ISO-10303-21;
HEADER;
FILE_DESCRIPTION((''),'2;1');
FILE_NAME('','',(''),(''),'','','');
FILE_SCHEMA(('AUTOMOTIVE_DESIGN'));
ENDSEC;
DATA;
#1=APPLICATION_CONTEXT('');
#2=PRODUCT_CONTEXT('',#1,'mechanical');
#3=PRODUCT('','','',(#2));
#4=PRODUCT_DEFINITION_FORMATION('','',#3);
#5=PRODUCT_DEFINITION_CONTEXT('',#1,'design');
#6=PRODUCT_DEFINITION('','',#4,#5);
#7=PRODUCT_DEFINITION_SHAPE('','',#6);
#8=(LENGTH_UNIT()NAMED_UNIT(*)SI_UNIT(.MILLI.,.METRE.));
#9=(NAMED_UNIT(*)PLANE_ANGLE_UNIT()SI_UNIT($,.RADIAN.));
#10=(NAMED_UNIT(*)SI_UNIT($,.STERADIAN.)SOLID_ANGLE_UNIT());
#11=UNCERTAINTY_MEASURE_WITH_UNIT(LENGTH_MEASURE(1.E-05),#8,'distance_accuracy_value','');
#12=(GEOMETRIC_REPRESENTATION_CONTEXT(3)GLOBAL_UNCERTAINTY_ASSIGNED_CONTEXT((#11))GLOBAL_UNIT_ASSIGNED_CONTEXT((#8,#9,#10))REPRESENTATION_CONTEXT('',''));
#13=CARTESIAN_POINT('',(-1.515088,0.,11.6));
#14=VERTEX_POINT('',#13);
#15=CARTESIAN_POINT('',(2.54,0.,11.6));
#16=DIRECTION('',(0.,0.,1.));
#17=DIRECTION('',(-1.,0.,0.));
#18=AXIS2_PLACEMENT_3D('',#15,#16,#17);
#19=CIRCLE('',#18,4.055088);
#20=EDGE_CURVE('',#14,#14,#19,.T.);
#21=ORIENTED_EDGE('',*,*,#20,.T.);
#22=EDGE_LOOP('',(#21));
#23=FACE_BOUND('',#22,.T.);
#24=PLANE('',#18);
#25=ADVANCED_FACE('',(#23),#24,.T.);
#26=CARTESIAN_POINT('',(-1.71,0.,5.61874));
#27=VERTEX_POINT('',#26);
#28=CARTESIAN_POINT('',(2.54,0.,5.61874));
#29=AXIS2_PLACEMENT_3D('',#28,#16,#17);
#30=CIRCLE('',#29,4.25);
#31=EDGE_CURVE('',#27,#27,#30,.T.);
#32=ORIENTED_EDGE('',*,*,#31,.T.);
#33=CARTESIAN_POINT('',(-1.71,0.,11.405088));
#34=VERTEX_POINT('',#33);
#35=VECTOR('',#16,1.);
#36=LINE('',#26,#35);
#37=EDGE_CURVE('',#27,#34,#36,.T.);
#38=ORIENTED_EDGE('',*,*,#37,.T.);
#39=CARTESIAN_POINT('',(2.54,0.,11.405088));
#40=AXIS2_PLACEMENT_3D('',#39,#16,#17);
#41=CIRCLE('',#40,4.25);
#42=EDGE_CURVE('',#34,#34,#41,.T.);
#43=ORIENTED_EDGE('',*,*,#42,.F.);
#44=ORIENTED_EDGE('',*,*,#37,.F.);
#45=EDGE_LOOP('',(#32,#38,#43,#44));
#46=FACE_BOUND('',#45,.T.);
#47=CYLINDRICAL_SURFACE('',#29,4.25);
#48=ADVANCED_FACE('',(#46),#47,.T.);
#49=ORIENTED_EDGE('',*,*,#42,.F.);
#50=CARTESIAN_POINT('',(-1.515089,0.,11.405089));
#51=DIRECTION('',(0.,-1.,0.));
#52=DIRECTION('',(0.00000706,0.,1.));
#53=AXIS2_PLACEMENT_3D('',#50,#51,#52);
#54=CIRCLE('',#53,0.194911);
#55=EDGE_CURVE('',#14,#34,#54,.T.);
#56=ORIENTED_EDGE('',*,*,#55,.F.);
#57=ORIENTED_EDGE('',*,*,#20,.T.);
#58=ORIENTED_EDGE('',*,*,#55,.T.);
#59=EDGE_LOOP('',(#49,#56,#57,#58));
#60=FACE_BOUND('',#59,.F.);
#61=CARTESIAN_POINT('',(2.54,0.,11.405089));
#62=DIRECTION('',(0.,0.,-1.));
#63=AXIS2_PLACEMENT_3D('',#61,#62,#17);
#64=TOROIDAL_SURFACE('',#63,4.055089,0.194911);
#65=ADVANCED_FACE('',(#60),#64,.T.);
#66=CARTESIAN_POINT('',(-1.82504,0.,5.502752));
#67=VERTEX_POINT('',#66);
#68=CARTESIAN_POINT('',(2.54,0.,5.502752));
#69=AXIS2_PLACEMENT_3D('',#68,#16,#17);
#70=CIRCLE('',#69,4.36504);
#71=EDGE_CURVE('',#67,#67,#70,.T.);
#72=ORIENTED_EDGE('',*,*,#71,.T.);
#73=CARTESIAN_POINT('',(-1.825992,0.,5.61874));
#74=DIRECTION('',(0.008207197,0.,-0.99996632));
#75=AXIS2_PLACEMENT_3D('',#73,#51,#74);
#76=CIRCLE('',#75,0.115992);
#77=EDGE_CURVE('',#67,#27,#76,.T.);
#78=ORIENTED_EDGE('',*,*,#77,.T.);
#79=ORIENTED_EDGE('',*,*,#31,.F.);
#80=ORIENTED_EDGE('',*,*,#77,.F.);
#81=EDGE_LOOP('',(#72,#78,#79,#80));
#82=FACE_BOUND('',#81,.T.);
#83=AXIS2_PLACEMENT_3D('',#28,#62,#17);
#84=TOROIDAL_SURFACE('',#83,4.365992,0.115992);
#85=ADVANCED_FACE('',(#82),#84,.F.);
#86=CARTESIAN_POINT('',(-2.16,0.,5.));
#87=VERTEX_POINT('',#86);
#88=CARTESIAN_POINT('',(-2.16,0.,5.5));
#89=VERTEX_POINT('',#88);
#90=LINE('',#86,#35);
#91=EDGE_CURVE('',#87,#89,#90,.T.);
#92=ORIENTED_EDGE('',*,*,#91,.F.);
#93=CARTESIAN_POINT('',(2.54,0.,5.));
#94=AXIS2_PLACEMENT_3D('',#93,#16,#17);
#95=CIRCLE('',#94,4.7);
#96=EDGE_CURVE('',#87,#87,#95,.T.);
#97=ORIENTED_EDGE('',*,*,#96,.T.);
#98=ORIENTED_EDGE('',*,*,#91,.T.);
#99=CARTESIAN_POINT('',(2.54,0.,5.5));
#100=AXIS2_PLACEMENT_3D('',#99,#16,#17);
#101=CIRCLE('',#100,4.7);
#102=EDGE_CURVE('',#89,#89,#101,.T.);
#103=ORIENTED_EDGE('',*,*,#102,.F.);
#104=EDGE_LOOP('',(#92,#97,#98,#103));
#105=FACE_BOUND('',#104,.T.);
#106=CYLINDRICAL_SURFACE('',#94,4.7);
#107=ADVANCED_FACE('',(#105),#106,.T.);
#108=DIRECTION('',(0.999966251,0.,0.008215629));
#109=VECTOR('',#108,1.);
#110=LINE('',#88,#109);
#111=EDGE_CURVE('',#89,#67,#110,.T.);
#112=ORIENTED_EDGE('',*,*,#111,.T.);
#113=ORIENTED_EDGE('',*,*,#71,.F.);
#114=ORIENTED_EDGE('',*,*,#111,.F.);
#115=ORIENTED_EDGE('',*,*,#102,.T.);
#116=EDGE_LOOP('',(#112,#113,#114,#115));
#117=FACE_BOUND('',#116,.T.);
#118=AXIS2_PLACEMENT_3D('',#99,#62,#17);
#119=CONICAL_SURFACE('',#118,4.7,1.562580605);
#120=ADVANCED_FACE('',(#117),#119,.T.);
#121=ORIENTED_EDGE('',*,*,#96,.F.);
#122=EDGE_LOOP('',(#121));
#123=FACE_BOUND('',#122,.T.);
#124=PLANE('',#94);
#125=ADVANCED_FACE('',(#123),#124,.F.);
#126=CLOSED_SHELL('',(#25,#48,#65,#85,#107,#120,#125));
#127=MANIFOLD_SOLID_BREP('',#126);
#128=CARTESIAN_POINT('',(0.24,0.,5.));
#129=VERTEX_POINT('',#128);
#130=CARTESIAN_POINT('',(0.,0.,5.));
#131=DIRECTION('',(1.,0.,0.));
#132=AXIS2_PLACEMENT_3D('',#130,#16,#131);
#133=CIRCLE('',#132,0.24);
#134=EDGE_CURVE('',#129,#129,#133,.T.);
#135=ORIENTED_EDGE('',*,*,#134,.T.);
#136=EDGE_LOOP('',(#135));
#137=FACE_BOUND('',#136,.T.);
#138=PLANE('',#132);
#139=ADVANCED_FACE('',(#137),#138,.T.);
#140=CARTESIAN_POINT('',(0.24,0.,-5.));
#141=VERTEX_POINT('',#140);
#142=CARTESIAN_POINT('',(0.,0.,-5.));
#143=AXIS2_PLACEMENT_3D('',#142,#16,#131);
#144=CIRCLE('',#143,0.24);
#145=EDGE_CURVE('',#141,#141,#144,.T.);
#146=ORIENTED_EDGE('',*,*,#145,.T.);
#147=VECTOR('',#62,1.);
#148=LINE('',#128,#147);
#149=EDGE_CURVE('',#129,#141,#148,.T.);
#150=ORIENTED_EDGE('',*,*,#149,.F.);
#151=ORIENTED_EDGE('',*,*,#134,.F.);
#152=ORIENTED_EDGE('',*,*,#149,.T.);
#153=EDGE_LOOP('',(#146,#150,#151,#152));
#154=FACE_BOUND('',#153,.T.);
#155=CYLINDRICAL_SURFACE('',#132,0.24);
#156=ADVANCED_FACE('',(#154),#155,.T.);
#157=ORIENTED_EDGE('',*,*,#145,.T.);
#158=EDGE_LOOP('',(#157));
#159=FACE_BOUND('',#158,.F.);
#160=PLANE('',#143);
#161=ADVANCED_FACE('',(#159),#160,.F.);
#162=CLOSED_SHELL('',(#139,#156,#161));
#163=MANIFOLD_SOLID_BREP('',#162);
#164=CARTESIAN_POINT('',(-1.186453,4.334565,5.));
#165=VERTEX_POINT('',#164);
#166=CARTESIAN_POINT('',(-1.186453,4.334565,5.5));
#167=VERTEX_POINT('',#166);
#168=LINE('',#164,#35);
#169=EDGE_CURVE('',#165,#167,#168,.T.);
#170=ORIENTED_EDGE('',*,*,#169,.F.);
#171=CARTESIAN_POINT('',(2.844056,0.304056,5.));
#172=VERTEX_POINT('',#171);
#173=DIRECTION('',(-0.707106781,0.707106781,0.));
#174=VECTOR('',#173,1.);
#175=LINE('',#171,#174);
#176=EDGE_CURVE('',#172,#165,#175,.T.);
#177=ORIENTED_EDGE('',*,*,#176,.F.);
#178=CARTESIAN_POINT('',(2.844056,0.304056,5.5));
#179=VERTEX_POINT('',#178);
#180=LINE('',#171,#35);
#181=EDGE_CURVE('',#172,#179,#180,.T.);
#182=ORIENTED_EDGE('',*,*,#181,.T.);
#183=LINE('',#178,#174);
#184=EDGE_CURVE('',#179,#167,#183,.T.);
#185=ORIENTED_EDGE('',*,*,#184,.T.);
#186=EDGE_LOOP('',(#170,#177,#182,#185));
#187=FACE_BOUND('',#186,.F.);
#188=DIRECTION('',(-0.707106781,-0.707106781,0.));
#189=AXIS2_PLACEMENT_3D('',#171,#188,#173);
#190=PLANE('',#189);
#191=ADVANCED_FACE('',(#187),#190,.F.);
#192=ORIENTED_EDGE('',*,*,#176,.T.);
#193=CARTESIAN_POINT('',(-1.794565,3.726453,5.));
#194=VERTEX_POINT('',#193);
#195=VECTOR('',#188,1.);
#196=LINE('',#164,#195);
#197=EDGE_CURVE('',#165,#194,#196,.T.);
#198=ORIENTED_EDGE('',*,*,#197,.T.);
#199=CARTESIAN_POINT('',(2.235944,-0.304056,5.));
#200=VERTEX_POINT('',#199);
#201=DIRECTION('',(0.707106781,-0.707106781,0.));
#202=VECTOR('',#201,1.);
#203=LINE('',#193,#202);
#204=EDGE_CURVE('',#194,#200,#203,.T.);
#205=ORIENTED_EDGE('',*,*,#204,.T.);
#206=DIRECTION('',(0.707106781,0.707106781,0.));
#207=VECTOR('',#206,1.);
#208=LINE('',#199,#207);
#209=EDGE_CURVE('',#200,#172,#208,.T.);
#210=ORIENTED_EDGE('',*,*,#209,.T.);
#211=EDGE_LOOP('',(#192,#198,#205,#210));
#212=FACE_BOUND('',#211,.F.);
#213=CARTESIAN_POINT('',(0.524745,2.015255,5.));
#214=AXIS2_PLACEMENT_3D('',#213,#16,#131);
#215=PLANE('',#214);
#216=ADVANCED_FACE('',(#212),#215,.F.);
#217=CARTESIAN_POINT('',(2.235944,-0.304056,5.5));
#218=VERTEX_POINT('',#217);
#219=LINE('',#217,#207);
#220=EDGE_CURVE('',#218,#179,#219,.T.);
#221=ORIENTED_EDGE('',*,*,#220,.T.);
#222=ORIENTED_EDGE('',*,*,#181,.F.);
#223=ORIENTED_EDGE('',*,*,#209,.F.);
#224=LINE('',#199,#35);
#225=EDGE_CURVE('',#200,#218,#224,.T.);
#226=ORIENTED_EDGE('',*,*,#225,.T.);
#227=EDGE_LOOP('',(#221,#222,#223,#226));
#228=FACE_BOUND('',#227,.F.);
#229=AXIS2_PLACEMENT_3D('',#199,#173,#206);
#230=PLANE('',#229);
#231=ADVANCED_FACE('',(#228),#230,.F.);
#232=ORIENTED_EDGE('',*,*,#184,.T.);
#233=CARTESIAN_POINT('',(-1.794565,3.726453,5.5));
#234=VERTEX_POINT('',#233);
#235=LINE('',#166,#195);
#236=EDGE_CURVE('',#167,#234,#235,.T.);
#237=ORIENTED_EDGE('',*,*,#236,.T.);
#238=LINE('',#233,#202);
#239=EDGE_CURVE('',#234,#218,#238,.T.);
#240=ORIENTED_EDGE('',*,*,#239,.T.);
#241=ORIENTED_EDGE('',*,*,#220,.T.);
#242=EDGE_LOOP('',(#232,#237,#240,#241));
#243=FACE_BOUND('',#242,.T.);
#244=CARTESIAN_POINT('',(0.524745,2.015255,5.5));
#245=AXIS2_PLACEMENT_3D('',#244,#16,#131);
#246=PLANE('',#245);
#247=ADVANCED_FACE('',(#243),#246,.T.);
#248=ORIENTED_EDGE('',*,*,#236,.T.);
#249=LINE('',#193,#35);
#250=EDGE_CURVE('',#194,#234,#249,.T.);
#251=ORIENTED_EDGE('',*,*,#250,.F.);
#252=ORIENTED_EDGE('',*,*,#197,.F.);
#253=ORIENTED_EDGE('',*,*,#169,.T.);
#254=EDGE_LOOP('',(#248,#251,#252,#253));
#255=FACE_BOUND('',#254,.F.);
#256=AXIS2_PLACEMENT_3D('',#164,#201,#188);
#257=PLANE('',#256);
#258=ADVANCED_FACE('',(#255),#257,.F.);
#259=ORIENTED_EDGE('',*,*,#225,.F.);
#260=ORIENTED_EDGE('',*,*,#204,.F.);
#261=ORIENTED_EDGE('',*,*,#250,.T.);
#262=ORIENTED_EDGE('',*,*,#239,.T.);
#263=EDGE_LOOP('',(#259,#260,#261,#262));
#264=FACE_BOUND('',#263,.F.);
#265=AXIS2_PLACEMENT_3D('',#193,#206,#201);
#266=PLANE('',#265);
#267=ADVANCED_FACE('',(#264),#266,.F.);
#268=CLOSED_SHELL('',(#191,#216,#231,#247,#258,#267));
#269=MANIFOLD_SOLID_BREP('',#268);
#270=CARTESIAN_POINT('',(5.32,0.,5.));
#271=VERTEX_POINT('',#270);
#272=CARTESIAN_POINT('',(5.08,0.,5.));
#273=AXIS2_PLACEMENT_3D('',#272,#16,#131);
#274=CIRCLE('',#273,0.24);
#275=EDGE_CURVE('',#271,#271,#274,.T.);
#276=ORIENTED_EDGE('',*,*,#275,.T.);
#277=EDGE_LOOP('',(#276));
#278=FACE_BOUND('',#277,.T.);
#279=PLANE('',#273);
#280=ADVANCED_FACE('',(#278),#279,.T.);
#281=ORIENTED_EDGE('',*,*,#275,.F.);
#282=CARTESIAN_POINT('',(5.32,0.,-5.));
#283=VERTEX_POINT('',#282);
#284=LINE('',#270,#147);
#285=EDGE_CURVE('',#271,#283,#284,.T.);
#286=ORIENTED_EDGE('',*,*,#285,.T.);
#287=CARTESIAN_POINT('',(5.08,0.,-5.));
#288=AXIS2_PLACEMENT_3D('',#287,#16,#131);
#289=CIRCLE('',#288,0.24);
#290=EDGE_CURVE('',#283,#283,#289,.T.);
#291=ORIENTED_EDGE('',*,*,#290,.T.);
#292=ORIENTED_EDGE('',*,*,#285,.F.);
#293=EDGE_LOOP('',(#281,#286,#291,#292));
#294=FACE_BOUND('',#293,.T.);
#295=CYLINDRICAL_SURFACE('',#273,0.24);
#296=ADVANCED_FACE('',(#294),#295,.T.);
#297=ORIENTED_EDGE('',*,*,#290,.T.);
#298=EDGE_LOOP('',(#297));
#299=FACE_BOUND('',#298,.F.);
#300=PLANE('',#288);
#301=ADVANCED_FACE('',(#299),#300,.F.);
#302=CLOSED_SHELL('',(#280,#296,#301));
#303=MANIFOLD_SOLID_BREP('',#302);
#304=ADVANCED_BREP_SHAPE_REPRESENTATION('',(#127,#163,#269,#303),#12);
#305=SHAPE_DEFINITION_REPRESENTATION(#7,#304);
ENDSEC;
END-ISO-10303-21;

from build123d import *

# Parameters (mm, degrees)
SKETCH_R     = 0.24
PAD_DEPTH    = 10
PAD003_DEPTH = 0.5


with BuildPart() as pad:
    # Sketch → Pad (new body)
    with BuildSketch(Plane.XY.offset(5)):
        Circle(SKETCH_R)
        with Locations((5.08, 0)):
            Circle(SKETCH_R)
    extrude(amount=-PAD_DEPTH)


with BuildPart() as revolution:
    # Sketch003 → Revolution (revolve)
    with BuildSketch(Plane.XZ):
        with BuildLine():
            Line((2.54, 5), (-2.16, 5))
            Line((-2.16, 5), (-2.16, 5.5))
            Line((-2.16, 5.5), (-1.82504, 5.502752))
            ThreePointArc((-1.82504, 5.502752), (-1.743637, 5.537059), (-1.71, 5.61874))
            Line((-1.71, 5.61874), (-1.71, 11.405088))
            ThreePointArc((-1.515088, 11.6), (-1.652912, 11.542912), (-1.71, 11.405088))
            Line((-1.515088, 11.6), (2.54, 11.6))
            Line((2.54, 11.6), (2.54, 5))
        make_face()
    revolve(axis=Axis((2.54, 0, 2.550668), (0, 0, 1)))


with BuildPart() as pad003:
    # Sketch004 → Pad003 (new body)
    with BuildSketch(Plane.XY.offset(5)):
        Polygon((2.844056, 0.304056), (-1.186453, 4.334565), (-1.794565, 3.726453), (2.235944, -0.304056), align=None)
    extrude(amount=PAD003_DEPTH)


solid = Compound([pad.part, revolution.part, pad003.part])
